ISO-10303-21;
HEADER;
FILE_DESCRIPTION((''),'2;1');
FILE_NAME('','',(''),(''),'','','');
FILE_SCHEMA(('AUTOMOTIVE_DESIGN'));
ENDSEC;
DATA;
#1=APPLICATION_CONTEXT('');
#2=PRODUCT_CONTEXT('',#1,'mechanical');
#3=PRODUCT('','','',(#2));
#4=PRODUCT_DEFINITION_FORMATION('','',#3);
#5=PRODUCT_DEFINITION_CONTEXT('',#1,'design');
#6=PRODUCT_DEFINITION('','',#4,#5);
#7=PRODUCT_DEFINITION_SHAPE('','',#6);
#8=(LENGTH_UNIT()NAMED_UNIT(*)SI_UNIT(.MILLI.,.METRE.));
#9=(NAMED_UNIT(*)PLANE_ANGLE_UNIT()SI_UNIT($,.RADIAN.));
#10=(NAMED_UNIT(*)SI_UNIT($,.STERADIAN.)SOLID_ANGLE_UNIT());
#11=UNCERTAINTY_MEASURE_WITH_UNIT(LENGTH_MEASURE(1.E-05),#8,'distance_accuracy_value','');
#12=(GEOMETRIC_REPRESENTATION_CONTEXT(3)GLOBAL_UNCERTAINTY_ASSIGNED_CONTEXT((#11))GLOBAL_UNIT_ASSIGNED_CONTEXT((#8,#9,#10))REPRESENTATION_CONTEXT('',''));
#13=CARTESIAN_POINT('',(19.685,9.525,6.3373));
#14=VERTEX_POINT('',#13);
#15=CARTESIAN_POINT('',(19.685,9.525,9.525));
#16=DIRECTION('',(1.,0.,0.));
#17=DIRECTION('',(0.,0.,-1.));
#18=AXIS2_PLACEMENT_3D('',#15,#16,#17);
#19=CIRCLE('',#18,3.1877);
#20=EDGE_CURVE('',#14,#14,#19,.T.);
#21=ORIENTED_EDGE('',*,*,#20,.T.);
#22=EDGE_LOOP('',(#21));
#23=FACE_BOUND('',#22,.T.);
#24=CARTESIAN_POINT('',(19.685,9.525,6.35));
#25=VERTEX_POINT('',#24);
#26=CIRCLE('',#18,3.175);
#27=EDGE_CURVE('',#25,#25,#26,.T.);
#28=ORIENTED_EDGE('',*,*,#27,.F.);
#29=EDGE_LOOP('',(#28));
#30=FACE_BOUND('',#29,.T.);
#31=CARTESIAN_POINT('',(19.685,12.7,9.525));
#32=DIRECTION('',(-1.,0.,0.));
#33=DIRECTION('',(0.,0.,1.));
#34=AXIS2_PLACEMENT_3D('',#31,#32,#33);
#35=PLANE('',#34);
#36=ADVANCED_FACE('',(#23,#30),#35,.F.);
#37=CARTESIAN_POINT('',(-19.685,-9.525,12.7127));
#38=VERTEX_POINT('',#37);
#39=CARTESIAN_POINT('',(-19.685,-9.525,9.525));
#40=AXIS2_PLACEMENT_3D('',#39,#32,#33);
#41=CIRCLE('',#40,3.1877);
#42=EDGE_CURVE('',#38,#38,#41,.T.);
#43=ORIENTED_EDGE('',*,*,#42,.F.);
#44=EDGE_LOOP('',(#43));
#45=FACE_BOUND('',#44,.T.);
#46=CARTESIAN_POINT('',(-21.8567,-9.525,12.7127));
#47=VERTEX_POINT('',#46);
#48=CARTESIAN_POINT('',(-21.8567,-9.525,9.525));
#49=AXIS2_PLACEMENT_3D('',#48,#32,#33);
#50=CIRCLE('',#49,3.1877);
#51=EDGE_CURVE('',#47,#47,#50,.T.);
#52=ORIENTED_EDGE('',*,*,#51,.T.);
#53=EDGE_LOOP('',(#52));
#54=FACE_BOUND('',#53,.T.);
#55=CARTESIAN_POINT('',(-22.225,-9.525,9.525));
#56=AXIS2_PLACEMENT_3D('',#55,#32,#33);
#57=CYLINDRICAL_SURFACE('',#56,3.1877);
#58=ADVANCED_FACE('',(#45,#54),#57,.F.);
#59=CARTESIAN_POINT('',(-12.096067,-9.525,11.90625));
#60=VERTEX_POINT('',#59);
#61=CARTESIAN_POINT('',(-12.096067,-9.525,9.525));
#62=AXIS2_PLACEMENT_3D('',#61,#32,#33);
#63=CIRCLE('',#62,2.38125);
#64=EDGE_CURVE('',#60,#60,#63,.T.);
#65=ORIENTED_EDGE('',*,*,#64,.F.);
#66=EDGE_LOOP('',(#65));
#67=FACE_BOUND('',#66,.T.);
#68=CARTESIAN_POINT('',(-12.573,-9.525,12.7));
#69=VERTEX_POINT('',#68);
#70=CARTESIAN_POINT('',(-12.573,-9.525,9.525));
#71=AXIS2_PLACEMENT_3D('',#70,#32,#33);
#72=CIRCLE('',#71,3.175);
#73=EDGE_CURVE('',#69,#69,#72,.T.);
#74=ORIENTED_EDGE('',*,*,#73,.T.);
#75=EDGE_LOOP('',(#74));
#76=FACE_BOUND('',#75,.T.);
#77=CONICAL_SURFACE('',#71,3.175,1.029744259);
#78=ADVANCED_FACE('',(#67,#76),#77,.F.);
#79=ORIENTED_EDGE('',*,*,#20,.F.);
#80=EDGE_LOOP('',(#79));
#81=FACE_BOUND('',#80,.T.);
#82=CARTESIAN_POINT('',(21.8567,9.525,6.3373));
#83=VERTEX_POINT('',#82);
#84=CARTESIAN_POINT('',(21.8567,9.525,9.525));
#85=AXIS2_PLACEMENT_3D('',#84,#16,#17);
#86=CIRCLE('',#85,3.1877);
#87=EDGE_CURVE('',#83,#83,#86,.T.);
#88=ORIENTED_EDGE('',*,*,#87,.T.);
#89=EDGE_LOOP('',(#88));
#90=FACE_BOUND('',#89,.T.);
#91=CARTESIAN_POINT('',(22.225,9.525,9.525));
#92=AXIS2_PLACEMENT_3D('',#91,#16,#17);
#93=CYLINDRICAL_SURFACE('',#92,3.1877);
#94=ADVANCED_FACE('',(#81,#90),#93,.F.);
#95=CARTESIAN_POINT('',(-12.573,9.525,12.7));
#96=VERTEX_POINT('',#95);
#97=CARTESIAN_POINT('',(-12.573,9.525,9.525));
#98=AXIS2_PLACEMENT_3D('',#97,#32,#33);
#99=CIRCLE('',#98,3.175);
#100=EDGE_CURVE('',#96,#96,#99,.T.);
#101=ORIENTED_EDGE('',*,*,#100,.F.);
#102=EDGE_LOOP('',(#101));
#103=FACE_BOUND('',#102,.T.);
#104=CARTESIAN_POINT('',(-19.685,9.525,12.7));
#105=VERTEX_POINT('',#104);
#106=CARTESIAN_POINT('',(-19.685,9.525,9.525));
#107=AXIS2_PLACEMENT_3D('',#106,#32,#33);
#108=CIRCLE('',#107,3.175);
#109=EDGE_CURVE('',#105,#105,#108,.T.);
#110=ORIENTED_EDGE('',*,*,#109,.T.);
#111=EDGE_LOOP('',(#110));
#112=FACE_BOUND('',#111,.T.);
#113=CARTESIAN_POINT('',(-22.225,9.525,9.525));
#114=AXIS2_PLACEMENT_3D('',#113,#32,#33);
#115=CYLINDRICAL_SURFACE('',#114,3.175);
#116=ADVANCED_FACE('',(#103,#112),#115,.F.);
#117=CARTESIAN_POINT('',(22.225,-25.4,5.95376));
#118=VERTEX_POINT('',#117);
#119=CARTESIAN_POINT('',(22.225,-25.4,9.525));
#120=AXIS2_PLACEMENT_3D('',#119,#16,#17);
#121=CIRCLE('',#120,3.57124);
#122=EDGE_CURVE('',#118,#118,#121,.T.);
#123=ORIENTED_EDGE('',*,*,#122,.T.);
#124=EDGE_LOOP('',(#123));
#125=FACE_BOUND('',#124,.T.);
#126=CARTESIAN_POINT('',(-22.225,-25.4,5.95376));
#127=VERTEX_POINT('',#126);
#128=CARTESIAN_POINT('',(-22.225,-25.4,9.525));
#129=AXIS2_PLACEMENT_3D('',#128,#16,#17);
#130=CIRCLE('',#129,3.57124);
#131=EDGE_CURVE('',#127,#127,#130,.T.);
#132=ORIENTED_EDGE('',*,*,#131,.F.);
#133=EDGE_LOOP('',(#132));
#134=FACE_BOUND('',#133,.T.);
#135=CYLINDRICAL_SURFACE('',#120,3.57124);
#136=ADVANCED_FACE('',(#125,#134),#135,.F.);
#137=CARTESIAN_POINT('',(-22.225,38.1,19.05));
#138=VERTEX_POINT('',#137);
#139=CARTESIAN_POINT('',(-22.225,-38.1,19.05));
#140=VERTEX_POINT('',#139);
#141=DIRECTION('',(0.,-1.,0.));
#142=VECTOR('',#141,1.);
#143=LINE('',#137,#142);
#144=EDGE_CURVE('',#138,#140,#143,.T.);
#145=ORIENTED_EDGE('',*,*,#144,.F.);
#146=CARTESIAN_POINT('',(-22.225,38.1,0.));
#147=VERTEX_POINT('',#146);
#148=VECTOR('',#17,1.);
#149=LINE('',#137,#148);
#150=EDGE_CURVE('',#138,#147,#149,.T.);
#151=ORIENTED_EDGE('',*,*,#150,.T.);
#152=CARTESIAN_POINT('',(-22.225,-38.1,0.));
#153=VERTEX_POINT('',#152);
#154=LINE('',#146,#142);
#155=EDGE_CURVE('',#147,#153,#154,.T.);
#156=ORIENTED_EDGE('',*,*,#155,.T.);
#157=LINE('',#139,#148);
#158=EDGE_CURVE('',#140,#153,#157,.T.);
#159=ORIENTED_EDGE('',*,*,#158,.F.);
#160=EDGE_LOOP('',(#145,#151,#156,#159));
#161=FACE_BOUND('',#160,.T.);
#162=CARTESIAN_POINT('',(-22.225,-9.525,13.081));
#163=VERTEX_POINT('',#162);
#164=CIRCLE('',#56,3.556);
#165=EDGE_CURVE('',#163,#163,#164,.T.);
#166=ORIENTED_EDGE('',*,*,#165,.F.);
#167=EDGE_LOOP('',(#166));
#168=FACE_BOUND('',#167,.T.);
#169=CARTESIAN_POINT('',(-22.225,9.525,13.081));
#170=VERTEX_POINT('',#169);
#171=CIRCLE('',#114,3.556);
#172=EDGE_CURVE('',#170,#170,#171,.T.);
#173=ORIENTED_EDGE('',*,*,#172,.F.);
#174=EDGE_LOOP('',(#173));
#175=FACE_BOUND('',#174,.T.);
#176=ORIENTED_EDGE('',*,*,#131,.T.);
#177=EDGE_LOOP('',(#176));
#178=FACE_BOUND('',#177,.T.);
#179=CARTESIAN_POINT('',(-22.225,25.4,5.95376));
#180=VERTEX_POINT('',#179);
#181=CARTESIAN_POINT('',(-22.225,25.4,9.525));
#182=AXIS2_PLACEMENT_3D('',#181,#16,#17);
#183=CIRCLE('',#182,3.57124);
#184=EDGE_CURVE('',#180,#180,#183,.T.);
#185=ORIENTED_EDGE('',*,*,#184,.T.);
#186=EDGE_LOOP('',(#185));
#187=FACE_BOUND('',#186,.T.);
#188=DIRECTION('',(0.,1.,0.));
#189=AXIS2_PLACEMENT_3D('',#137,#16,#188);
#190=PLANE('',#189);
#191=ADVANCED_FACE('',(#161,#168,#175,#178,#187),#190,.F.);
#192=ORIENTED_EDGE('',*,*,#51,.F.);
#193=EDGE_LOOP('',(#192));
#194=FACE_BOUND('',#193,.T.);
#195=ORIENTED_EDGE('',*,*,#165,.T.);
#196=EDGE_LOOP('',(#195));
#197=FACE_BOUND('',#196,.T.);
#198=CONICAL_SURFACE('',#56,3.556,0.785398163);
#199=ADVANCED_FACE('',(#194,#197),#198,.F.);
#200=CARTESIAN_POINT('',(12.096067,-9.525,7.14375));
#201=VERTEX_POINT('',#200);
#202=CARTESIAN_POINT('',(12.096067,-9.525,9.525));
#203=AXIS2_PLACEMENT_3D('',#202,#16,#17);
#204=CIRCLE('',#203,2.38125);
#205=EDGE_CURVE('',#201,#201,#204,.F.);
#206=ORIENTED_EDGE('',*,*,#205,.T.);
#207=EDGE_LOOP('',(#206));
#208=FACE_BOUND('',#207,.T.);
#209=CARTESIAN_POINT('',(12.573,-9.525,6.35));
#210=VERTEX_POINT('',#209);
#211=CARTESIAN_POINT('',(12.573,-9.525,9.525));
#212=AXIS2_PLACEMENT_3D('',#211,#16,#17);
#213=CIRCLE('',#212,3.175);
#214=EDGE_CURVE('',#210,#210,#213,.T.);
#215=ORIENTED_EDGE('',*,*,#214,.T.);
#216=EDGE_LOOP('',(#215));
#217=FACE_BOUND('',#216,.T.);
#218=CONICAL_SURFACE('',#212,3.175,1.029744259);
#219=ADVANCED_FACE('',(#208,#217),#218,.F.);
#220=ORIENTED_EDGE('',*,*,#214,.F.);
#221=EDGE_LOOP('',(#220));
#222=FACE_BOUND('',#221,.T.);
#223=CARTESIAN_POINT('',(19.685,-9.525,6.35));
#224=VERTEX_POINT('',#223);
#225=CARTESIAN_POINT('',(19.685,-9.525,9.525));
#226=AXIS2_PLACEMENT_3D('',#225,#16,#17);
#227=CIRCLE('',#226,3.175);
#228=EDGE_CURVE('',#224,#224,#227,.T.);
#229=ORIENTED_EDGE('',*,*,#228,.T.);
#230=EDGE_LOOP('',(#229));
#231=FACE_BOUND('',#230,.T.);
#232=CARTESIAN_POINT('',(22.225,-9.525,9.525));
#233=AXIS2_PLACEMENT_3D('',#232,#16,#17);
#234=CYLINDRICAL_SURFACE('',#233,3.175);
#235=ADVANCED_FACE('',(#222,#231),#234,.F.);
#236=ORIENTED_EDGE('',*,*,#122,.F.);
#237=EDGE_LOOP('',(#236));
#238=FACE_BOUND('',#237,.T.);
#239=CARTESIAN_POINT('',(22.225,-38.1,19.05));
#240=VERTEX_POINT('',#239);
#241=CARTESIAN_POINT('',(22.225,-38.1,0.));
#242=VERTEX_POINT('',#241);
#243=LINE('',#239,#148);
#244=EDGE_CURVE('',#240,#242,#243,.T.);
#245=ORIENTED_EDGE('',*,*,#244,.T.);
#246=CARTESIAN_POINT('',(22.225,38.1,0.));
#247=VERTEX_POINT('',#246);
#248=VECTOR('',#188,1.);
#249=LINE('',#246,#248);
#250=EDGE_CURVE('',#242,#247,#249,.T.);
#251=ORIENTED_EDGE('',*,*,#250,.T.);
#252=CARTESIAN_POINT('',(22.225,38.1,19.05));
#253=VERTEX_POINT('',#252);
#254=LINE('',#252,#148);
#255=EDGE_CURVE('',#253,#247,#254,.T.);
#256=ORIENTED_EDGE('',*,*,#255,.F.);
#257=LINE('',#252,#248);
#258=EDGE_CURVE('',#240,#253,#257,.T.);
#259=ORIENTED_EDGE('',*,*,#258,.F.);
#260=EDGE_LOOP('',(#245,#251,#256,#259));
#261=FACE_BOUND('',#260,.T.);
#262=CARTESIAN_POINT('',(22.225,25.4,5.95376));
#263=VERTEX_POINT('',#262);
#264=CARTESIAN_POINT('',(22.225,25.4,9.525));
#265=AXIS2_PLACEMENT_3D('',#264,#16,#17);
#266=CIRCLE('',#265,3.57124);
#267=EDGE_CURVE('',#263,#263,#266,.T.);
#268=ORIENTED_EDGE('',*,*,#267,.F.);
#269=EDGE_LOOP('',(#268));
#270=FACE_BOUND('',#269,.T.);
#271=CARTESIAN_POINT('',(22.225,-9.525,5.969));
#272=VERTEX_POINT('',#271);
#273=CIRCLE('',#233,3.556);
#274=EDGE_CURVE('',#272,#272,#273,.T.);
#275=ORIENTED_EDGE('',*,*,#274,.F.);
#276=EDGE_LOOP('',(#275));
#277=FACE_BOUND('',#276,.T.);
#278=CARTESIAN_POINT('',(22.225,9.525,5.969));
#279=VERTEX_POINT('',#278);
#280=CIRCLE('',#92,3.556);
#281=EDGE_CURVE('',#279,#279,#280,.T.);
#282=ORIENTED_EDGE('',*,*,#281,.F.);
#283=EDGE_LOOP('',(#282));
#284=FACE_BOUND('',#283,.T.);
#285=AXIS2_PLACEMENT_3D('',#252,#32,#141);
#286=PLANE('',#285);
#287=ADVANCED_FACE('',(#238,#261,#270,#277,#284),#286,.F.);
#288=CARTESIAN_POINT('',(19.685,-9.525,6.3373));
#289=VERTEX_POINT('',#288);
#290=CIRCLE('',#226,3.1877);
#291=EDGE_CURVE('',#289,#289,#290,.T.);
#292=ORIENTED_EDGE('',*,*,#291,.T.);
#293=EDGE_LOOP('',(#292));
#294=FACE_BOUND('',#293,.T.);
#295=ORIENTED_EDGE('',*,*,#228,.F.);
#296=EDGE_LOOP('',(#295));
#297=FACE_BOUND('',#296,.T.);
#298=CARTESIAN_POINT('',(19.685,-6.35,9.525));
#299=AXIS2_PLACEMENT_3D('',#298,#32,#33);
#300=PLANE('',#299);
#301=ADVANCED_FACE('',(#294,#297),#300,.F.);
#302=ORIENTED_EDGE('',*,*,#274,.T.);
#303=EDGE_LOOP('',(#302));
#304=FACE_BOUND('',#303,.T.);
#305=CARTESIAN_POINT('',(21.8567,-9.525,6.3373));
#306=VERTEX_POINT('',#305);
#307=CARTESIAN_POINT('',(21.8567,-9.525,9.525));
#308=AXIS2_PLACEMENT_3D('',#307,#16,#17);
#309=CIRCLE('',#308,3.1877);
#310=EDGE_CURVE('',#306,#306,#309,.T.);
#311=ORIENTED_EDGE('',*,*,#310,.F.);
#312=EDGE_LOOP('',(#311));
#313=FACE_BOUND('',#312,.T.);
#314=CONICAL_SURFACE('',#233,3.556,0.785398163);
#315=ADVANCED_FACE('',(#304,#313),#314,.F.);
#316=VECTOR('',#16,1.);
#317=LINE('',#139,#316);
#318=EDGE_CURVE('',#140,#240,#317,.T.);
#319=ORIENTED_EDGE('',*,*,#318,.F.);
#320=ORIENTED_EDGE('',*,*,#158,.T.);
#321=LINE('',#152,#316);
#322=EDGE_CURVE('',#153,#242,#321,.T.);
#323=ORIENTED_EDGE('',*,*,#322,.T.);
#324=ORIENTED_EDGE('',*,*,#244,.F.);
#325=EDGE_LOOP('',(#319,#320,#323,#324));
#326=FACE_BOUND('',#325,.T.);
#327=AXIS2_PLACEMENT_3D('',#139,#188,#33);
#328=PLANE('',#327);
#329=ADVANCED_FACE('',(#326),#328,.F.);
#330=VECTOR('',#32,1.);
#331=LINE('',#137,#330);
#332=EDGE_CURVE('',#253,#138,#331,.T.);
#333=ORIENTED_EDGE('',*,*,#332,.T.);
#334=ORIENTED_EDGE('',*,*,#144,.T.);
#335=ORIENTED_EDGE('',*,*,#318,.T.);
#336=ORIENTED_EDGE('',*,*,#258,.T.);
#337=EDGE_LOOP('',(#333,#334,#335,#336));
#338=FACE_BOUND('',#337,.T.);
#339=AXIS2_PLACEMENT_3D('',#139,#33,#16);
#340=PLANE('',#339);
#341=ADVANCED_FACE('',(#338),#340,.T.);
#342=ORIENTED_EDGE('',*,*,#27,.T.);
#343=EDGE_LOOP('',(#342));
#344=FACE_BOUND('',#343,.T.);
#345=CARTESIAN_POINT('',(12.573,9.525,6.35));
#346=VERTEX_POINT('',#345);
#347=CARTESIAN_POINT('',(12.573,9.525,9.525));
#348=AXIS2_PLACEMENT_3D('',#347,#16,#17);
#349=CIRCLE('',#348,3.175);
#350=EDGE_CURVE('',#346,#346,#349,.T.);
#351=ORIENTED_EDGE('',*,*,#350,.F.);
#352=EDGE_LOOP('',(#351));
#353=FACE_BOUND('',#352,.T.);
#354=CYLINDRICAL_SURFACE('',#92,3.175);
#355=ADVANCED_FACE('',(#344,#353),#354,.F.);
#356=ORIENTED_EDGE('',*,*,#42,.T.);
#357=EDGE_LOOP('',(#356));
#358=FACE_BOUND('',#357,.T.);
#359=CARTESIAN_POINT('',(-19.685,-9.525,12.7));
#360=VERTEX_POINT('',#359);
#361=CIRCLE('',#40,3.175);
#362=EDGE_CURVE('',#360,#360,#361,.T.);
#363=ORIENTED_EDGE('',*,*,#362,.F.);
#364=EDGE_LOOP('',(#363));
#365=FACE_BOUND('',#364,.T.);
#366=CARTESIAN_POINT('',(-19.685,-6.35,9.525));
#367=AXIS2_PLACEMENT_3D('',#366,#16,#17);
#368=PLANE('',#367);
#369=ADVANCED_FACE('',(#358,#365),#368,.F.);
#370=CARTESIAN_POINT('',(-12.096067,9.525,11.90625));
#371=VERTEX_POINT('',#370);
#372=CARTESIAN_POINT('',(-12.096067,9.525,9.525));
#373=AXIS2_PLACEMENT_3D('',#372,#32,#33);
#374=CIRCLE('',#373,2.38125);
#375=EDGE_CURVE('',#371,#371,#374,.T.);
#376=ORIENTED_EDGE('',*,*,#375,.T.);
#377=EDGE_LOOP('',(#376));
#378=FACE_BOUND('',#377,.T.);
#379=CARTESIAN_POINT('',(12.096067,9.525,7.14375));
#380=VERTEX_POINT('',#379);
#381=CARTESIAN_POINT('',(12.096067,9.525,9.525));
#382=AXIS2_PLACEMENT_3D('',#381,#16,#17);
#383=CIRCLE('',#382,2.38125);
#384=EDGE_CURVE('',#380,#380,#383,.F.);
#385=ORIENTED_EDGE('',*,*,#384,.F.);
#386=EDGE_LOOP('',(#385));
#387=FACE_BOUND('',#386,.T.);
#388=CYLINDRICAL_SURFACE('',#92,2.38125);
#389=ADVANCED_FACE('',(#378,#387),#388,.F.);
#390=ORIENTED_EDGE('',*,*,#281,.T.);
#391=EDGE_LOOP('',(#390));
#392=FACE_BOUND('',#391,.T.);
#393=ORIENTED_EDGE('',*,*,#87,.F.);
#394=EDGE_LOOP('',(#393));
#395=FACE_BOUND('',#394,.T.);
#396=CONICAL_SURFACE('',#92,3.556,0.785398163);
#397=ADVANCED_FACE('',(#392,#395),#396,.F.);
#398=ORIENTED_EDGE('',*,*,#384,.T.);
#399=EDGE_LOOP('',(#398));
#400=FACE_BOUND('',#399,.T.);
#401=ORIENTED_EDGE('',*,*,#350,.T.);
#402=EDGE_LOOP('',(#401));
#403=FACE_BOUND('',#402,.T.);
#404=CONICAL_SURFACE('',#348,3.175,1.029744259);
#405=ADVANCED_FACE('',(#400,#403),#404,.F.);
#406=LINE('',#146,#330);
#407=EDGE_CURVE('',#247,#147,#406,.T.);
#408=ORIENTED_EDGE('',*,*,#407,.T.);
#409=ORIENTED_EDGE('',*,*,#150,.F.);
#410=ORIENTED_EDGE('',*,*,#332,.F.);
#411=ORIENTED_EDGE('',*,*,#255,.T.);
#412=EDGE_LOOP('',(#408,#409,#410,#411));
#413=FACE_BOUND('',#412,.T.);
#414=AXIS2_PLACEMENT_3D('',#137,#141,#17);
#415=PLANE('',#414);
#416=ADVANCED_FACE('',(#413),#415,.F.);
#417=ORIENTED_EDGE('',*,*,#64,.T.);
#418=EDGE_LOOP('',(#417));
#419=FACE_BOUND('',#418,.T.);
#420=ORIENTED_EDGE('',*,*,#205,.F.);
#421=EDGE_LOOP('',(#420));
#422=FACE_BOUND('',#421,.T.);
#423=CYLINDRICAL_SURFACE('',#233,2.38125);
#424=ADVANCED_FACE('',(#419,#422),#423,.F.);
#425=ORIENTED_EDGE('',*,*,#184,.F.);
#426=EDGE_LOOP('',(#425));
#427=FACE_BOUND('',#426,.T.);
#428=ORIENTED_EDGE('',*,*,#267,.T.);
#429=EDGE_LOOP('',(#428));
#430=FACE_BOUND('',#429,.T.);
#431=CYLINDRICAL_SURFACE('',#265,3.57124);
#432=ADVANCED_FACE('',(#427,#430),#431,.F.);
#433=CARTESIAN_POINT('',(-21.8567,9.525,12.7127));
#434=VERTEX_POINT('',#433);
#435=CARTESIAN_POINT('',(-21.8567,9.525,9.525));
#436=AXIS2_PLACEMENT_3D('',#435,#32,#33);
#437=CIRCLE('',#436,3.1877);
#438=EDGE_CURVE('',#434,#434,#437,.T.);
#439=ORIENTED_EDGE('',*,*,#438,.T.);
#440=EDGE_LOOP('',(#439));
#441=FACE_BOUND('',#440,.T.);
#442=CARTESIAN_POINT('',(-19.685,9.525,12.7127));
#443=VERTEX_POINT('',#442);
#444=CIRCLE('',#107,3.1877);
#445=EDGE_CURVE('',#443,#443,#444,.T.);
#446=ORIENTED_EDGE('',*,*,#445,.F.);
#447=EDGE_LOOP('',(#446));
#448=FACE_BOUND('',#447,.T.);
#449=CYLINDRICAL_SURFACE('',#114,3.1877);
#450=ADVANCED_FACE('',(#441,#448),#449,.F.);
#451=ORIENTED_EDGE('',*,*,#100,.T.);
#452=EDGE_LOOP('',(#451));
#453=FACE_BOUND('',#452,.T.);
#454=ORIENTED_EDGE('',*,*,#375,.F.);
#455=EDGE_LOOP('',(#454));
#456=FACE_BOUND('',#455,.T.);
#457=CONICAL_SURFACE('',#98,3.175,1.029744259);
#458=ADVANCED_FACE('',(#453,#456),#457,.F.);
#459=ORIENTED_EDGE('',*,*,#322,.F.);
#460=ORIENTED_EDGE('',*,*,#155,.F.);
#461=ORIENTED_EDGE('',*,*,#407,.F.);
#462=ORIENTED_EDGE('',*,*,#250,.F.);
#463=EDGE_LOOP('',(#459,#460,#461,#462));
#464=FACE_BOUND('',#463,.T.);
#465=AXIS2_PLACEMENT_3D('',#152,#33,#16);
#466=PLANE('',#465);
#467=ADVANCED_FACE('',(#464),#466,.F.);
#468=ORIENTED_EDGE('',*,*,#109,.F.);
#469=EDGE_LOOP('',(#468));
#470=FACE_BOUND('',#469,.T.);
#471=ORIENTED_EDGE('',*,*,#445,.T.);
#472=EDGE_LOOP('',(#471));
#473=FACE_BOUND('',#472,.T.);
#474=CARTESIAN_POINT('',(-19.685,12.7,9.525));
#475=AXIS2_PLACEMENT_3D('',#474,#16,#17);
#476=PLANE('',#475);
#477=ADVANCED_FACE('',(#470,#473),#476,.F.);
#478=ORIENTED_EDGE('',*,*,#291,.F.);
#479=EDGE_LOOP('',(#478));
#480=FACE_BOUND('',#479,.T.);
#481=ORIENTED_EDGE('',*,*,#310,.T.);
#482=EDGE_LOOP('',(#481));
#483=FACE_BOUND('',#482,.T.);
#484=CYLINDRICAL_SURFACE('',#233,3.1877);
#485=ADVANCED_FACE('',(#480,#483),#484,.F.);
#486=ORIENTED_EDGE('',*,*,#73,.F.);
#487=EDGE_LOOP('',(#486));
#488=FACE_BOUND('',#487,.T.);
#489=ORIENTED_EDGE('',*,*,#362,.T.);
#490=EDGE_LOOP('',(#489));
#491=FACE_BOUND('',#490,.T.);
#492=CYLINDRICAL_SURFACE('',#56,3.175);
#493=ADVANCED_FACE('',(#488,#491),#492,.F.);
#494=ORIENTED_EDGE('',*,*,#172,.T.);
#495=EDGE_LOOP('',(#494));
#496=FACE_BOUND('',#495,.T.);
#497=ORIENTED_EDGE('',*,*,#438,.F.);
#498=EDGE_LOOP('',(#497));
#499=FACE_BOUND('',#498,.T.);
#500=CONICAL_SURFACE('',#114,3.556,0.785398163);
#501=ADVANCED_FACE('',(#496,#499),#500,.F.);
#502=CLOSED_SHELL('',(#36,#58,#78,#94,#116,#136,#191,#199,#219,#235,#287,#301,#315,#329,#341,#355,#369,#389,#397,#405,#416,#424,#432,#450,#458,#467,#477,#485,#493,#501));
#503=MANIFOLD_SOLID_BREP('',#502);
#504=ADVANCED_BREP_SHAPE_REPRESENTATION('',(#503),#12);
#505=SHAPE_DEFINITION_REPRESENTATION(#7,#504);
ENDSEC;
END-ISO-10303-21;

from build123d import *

# Parameters (mm, degrees)
SKETCH1_W                      = 44.45
SKETCH1_H                      = 76.2
EXTRUDE1_DEPTH                 = 19.05
F_1_4_CLEARANCE_HOLE1_D        = 7.14248
CBORE_FOR_1_4_DOWEL_AT_2_COUNT = 2
CBORE_FOR_1_4_DOWEL_AT_2_PITCH = 19.05
F_3_16_0_1875_DIAMETER_HOLE1_D = 4.7625


with BuildPart() as part:
    # Sketch1 → Extrude1 (new body)
    with BuildSketch(Plane.XY):
        Rectangle(SKETCH1_W, SKETCH1_H)
    extrude(amount=EXTRUDE1_DEPTH)

    # 1/4 Clearance Hole1 (through all)
    with Locations(Plane(origin=(22.225, 0, 0), x_dir=(0, 0, -1), z_dir=(1, 0, 0))):
        with Locations((-9.525, 25.4), (-9.525, -25.4)):
            Hole(F_1_4_CLEARANCE_HOLE1_D / 2)

    # Sketch4 → CBORE for 1/4 DOWEL (revolve, cut)
    with BuildSketch(Plane(origin=(22.225, -9.525, 9.525), x_dir=(0, 0, -1), z_dir=(0, 1, 0))):
        Polygon((0, 0), (0, 11.559732465), (3.175, 9.652), (3.175, 2.54), (3.1877, 2.54), (3.1877, 0.3683), (3.556, 0), align=None)
    cbore_for_1_4_dowel = revolve(axis=Axis((28.575, -9.525, 9.525), (-1, 0, 0)), mode=Mode.SUBTRACT)

    # CBORE for 1/4 DOWEL at 2: CBORE for 1/4 DOWEL ×2
    with Locations(*[(0, i * CBORE_FOR_1_4_DOWEL_AT_2_PITCH, 0) for i in range(1, CBORE_FOR_1_4_DOWEL_AT_2_COUNT)]):
        add(cbore_for_1_4_dowel, mode=Mode.SUBTRACT)

    # 3/16 (0.1875) Diameter Hole1 (through all)
    with Locations(Plane(origin=(22.225, 0, 0), x_dir=(0, 0, -1), z_dir=(1, 0, 0))):
        with Locations((-9.525, 9.525), (-9.525, -9.525)):
            Hole(F_3_16_0_1875_DIAMETER_HOLE1_D / 2)

    # Mirror1: CBORE for 1/4 DOWEL across plane
    add(cbore_for_1_4_dowel.mirror(Plane(origin=(0, 0, 0), x_dir=(0, 0, 1), z_dir=(1, 0, 0))), mode=Mode.SUBTRACT)

    # Mirror1 copy 1 sketch → Mirror1 copy 1 (revolve, cut)
    with BuildSketch(Plane(origin=(-22.225, 9.525, 9.525), x_dir=(0, 0, -1), z_dir=(0, 1, 0))):
        Polygon((0, 0), (0, -11.559732465), (3.175, -9.652), (3.175, -2.54), (3.1877, -2.54), (3.1877, -0.3683), (3.556, 0), align=None)
    revolve(axis=Axis((-28.575, 9.525, 9.525), (-1, 0, 0)), mode=Mode.SUBTRACT)


solid = part.part
